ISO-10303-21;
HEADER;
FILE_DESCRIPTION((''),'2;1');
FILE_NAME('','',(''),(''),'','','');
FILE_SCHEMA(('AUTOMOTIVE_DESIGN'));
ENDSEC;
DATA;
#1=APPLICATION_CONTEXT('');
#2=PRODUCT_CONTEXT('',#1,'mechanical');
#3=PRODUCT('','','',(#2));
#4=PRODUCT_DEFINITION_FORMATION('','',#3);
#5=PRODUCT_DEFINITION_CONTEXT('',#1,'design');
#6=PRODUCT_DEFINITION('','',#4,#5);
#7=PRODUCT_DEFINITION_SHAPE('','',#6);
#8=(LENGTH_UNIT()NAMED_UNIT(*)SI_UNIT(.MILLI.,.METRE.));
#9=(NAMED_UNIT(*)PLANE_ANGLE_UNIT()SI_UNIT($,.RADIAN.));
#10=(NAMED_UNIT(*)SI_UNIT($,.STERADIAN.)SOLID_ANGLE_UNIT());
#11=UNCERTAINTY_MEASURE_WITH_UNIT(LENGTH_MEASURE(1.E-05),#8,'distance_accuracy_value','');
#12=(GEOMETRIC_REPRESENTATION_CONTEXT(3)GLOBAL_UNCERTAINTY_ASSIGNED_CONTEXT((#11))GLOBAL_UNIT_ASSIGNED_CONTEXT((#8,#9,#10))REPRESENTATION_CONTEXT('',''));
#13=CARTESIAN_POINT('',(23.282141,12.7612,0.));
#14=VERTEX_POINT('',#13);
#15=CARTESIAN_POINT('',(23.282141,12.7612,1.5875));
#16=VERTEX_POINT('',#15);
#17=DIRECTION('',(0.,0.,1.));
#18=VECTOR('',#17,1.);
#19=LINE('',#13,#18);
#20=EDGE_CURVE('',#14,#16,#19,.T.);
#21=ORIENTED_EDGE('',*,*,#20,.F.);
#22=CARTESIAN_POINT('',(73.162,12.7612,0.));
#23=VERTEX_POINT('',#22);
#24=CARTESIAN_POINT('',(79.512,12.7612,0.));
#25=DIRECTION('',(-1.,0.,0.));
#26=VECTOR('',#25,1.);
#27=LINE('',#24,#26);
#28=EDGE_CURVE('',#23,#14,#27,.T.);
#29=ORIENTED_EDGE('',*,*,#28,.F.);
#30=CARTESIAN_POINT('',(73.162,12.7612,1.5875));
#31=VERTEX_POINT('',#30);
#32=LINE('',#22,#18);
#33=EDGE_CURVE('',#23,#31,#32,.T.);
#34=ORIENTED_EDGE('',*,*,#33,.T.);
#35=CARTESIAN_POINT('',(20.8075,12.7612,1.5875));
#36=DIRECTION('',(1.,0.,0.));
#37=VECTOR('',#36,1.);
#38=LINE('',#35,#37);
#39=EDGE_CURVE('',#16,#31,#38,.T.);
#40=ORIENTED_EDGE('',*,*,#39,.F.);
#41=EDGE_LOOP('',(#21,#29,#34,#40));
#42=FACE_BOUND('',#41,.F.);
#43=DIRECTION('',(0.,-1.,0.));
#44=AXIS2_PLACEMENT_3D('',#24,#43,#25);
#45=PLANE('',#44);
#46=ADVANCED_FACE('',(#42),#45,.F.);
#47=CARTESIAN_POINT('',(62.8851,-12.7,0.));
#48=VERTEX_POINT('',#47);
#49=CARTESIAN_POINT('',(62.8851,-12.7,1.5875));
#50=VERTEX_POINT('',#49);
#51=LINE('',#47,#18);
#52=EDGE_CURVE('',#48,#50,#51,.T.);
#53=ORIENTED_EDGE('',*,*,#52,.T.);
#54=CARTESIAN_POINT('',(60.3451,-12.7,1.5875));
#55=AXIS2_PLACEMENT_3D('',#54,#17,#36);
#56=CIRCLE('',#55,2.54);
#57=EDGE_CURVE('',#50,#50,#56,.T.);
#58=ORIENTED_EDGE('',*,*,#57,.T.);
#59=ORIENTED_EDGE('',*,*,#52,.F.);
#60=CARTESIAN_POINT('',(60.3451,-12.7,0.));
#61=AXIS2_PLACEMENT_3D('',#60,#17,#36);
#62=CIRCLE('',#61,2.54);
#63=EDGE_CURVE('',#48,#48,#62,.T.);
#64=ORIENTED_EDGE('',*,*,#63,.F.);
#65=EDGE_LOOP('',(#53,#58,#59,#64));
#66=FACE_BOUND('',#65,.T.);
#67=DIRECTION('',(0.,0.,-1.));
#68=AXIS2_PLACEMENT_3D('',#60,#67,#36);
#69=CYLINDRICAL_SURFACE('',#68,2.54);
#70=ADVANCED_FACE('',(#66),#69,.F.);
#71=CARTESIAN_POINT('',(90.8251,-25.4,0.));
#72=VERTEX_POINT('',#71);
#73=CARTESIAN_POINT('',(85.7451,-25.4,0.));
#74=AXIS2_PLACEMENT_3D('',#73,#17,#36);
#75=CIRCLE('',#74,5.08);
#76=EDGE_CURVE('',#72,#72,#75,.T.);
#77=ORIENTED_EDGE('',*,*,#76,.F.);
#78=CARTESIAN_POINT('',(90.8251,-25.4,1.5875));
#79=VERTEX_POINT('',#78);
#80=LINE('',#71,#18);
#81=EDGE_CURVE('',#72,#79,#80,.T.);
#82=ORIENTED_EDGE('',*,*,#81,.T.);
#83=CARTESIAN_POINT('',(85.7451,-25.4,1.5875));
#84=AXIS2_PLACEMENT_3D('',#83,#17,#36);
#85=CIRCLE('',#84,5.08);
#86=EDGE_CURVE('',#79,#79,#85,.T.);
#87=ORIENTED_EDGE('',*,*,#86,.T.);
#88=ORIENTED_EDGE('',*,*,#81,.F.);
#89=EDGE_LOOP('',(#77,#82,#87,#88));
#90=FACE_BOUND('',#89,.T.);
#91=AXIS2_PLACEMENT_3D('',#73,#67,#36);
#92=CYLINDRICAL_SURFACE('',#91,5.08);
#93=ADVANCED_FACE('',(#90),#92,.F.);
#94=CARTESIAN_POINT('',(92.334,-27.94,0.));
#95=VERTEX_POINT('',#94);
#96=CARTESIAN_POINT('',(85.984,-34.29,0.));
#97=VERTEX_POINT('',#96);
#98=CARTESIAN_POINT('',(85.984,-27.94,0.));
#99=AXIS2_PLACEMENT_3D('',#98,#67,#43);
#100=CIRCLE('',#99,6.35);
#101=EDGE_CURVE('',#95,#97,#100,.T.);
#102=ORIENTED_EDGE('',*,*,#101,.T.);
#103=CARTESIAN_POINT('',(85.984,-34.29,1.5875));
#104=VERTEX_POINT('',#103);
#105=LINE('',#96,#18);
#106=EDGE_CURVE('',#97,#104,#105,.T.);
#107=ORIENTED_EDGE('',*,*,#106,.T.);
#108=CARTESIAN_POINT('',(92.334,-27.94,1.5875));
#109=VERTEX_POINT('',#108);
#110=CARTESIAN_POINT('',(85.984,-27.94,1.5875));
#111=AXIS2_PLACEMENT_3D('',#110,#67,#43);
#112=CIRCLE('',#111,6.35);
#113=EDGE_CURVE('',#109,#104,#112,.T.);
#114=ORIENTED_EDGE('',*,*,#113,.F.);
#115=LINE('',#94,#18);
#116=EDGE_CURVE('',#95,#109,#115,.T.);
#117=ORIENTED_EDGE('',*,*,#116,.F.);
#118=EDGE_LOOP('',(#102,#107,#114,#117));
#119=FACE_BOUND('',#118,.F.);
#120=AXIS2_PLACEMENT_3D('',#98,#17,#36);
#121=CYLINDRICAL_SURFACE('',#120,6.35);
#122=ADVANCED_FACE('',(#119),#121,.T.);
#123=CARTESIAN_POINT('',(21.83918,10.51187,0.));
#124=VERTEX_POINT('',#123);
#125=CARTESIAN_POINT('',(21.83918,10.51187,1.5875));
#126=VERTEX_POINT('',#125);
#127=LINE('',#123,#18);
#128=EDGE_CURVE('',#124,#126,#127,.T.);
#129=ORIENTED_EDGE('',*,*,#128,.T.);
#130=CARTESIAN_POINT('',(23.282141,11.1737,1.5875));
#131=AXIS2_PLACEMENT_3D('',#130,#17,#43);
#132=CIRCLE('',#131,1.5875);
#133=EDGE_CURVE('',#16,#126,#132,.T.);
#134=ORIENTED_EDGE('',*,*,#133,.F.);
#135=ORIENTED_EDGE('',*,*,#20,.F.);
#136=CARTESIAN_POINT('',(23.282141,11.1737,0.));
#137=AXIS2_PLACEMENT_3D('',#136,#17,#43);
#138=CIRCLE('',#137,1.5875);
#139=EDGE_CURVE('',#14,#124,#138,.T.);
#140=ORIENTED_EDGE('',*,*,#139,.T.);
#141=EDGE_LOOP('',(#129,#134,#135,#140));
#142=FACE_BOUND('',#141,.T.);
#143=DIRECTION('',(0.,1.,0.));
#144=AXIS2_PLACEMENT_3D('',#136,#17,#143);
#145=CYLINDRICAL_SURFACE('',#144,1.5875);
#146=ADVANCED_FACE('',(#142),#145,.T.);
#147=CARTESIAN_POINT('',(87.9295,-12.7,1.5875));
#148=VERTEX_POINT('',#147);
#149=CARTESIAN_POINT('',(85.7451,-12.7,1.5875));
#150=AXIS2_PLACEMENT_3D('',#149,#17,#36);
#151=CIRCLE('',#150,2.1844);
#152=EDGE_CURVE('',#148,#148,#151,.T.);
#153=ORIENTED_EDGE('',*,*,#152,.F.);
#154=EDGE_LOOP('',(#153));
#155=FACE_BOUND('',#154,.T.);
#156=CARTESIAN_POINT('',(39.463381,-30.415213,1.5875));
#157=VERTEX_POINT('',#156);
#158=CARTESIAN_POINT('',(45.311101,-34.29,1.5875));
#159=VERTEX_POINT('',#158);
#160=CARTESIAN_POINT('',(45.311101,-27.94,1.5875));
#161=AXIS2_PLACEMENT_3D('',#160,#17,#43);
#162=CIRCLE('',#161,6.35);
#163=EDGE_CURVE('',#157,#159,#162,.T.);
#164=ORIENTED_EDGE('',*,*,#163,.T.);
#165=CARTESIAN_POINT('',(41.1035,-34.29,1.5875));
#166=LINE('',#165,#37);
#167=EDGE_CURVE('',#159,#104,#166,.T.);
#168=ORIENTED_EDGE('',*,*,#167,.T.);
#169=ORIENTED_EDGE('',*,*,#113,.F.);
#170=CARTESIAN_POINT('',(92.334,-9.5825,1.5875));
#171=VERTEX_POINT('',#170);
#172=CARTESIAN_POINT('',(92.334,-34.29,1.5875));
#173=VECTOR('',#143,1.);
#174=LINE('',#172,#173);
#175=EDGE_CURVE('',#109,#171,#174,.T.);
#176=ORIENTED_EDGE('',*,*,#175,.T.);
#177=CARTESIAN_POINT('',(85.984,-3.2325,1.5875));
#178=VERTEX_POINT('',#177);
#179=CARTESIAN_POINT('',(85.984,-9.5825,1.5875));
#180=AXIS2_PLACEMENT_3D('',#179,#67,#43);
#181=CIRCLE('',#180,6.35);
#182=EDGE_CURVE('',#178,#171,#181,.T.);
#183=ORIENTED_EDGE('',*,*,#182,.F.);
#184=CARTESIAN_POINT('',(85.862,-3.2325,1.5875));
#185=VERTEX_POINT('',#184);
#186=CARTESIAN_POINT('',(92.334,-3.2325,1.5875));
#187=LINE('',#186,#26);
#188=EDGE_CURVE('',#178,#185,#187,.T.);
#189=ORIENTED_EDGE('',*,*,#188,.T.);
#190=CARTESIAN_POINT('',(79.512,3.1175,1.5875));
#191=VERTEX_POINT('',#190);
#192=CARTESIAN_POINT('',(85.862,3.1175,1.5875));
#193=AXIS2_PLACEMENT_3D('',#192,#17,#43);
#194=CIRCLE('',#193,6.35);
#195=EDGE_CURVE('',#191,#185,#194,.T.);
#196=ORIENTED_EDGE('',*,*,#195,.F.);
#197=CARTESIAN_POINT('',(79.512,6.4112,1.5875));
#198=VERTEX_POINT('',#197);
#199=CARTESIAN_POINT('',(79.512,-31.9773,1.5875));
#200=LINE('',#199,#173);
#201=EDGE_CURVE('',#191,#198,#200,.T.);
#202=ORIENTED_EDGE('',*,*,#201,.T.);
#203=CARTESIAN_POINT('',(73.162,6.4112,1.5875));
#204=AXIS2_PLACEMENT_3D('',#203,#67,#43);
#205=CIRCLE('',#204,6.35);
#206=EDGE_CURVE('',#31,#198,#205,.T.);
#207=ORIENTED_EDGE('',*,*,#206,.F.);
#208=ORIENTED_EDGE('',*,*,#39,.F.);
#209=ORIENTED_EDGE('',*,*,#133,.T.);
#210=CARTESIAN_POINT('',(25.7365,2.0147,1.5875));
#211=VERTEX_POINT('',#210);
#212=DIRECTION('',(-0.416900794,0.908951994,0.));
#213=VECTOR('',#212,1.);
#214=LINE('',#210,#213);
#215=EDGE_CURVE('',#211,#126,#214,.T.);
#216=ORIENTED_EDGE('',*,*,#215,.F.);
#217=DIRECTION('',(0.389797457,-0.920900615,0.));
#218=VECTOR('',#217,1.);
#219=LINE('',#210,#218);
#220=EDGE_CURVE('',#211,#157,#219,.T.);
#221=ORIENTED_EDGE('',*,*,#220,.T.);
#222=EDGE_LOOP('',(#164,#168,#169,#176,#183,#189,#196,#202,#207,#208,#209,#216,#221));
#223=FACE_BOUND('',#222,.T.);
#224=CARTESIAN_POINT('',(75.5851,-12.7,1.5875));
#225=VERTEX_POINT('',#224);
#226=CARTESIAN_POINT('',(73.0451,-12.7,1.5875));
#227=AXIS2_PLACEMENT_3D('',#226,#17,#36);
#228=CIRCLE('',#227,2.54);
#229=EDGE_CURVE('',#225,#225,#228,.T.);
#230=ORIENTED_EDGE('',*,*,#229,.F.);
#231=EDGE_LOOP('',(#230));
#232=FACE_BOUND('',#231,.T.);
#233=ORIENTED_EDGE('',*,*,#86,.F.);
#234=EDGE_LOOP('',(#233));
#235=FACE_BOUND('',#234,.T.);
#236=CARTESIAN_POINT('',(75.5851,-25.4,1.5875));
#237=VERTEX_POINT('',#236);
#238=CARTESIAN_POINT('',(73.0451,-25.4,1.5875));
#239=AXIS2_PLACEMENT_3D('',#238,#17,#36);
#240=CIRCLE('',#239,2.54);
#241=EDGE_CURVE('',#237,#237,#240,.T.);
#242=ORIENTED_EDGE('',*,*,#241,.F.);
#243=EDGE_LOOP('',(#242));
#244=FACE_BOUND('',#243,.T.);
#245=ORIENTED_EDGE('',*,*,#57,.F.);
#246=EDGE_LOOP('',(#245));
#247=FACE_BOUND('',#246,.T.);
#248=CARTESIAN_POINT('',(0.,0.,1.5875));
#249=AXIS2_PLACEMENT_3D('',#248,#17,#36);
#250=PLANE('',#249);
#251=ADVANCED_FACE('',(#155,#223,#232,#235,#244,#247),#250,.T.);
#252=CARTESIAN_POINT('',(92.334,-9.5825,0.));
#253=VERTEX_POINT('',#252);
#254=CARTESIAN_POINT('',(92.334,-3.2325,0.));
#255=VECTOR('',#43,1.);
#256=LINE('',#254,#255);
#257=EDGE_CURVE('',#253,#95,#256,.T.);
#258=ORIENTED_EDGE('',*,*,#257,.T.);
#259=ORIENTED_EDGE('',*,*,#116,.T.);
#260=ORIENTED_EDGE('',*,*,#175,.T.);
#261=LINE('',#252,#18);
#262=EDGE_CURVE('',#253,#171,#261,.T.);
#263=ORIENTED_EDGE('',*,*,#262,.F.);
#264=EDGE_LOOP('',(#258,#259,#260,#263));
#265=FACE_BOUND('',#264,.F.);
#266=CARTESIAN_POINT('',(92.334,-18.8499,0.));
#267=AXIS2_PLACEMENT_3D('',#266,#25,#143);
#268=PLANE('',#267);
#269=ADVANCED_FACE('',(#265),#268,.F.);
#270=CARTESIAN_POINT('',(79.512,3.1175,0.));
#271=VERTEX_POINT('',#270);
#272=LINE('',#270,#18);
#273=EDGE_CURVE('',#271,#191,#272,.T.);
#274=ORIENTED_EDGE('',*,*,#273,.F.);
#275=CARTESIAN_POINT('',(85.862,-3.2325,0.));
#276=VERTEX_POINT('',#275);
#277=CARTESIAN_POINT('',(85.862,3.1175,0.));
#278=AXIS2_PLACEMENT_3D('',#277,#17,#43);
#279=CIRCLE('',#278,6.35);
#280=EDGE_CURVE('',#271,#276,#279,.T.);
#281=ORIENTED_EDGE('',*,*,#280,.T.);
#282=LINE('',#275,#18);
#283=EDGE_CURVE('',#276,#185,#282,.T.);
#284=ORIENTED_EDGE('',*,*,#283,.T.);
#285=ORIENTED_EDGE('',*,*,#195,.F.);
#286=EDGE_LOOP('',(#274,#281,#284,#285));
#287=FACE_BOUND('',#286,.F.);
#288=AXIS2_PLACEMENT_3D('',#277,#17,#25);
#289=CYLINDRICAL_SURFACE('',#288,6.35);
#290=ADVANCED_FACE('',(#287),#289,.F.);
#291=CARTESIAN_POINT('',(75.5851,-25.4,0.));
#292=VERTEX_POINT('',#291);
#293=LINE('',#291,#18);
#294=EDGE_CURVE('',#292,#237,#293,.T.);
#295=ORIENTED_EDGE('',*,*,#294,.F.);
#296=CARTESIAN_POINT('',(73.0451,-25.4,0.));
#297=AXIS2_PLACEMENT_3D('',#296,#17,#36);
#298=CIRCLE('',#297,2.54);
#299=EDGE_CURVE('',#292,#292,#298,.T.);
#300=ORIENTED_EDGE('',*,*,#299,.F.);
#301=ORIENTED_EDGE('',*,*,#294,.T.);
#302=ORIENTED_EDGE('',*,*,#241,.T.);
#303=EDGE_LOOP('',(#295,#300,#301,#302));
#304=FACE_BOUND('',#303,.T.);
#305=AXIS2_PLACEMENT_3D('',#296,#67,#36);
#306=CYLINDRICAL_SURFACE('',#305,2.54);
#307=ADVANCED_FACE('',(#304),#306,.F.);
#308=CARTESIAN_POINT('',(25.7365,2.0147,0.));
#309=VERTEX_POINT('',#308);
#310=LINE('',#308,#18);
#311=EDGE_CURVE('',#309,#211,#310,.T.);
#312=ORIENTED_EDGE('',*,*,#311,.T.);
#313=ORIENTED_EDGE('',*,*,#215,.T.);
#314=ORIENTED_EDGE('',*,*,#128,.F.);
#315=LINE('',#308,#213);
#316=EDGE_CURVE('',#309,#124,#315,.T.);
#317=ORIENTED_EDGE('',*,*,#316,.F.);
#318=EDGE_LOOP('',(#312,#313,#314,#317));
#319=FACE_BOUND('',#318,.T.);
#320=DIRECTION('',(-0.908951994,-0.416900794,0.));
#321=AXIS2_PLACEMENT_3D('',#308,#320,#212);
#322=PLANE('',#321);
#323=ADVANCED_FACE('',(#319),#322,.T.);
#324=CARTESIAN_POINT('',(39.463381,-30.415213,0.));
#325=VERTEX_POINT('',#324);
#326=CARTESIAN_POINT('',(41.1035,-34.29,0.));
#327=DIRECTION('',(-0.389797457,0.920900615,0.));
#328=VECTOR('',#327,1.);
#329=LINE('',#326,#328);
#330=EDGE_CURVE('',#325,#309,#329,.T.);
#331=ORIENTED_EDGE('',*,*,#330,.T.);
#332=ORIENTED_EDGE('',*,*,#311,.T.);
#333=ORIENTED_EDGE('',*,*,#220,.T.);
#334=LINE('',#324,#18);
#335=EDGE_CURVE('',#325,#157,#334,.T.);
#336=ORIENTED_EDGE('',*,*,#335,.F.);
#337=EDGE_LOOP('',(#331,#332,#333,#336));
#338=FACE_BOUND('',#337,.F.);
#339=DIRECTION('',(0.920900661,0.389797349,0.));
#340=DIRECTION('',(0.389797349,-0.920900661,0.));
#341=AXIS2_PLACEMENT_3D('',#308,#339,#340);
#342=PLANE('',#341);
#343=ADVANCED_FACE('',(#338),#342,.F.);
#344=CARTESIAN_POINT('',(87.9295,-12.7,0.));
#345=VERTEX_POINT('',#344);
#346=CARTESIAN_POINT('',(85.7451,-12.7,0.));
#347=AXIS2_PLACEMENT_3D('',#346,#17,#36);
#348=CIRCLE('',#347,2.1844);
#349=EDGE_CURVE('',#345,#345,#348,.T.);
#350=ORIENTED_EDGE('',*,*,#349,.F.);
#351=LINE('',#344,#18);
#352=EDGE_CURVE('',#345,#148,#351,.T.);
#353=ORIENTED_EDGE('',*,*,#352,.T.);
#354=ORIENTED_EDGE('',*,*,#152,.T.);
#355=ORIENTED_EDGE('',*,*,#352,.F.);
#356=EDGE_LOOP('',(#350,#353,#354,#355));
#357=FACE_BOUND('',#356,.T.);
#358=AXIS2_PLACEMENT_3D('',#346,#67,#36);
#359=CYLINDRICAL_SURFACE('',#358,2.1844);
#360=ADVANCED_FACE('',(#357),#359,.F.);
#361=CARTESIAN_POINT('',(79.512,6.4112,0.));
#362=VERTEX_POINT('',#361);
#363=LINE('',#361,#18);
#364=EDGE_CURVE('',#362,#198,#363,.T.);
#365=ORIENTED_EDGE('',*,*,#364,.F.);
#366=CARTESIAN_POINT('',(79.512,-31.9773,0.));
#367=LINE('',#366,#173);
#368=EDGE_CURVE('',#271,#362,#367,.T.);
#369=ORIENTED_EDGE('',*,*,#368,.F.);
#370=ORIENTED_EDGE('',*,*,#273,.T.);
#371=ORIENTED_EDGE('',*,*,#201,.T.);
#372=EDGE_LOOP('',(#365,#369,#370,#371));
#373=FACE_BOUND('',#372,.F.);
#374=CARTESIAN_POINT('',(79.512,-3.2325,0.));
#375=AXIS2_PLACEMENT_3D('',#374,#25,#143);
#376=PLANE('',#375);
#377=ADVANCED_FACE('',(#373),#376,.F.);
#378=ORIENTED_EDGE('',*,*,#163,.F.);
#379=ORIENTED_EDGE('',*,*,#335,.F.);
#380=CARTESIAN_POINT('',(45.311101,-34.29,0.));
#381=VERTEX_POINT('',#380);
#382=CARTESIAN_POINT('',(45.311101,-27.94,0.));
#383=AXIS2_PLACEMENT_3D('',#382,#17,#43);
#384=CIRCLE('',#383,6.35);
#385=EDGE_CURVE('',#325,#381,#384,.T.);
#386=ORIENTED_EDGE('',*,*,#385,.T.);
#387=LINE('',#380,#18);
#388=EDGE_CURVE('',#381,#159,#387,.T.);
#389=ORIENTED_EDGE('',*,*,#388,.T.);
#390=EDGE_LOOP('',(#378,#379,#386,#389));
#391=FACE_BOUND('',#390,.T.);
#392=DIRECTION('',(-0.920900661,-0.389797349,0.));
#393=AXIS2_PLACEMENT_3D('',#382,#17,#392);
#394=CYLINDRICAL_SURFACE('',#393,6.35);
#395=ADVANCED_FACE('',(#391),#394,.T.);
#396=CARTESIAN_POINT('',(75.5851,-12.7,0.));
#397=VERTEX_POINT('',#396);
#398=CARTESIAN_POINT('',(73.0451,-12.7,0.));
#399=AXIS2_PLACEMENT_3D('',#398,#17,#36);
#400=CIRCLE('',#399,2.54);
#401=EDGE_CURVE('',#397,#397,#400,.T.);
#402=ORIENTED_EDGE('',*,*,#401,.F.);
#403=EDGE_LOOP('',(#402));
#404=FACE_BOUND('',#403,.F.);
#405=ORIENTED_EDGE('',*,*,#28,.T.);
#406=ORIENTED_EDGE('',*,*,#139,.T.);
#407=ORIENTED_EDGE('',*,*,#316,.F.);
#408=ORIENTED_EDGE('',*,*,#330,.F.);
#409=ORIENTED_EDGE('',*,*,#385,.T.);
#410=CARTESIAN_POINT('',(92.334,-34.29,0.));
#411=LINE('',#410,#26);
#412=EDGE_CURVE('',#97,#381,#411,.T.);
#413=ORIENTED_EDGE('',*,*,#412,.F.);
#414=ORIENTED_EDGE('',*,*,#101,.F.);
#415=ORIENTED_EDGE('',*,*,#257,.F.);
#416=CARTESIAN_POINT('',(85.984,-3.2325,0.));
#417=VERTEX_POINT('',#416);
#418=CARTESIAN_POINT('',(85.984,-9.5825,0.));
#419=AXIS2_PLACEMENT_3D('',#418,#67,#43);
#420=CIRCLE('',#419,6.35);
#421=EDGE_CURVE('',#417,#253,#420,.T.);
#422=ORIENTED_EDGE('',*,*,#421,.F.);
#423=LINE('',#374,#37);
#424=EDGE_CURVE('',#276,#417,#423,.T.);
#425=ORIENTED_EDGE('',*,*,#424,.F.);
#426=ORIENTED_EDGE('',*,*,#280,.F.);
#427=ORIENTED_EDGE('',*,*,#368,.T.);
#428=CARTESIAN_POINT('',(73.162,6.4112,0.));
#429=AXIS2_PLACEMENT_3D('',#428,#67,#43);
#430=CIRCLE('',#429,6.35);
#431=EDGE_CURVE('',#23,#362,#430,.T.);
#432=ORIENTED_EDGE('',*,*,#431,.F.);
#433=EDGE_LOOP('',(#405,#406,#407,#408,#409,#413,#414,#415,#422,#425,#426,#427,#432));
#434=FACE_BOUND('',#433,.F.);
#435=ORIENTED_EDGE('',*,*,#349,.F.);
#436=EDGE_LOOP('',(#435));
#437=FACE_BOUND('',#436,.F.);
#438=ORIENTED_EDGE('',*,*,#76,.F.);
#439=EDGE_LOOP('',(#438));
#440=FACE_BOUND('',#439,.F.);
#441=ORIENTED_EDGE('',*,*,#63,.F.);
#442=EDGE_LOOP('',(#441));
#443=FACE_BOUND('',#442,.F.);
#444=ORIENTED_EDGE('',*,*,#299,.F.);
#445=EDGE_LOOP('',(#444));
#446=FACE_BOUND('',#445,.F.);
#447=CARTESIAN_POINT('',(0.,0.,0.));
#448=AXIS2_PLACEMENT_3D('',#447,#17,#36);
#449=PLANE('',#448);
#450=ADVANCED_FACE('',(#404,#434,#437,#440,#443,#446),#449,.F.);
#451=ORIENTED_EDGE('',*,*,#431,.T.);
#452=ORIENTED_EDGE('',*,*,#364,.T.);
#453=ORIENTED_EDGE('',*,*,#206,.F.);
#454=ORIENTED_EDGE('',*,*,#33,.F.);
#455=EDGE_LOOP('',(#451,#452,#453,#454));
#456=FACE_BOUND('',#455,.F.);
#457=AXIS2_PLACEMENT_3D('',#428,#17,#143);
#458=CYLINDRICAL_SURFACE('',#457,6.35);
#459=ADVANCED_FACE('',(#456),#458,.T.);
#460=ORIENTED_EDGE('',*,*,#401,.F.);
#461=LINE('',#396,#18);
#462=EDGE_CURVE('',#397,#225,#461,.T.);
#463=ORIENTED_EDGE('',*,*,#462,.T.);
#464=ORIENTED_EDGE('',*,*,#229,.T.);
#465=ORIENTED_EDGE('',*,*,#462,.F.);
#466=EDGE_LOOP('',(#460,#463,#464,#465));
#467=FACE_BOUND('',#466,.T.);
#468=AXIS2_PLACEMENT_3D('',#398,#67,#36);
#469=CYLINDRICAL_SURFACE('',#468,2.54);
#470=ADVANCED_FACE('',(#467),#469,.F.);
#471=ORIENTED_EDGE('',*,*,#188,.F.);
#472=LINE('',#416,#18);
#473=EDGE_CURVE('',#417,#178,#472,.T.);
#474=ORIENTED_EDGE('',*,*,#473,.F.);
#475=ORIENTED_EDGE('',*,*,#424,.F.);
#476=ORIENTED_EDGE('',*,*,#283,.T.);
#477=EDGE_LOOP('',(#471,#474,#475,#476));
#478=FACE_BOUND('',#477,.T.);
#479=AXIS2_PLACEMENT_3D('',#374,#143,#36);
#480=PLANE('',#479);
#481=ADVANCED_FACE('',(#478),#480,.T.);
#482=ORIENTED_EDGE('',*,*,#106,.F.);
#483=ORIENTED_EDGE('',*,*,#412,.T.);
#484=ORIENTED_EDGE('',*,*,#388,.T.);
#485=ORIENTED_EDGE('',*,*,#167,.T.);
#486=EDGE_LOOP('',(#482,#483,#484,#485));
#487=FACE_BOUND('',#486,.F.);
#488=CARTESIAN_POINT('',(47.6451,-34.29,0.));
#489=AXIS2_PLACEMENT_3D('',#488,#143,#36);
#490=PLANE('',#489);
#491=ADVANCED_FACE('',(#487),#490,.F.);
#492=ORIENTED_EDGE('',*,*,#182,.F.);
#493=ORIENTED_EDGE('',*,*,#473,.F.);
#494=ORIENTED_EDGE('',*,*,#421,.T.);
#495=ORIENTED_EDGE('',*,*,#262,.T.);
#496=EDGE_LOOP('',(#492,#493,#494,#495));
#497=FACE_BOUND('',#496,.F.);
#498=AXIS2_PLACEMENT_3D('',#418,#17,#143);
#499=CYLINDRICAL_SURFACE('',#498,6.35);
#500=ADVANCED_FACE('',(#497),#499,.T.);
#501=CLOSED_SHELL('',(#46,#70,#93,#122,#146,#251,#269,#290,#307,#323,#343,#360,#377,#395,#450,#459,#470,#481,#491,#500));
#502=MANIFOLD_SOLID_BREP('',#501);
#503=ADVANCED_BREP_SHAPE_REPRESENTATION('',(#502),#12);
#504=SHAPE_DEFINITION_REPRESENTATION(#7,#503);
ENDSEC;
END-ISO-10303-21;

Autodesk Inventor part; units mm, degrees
ref_plane "YZ Plane" through (0, 0, 0) normal (1, 0, 0) x (0, 1, 0)
ref_plane "XZ Plane" through (0, 0, 0) normal (0, 1, 0) x (-1, 0, 0)
ref_plane "XY Plane" through (0, 0, 0) normal (0, 0, 1) x (1, 0, 0)
sketch "Sketch2" plane through (0, 0, 0) normal (0, 0, 1) x (1, 0, 0)
  line L0 (39.8575, 12.7612) -> (31.599, 12.7612)
  line L1 (39.8575, 12.7612) -> (20.8075, 12.7612)
  line L2 (79.512, -31.9773) -> (79.512, 12.7612)
  line L3 (79.512, 12.7612) -> (37.4294, 12.7612)
  circle A0 centre (60.3451, -12.7) radius 2.54
  circle A1 centre (73.0451, -12.7) radius 2.54
  circle A2 centre (73.0451, -25.4) radius 2.54
  line L4 (92.334, -18.8499) -> (92.334, 1.5256)
  circle A3 centre (85.7451, -25.4) radius 3.9624
  circle A4 centre (85.7451, -12.7) radius 2.1844
  line L5 (25.7365, 2.0147) -> (43.2474, -39.355)
  line L6 (47.6451, -34.29) -> (41.1035, -34.29)
  line L7 (92.334, -18.8499) -> (92.334, -34.29)
  line L8 (47.6451, -34.29) -> (92.334, -34.29)
  line L9 (-341.1851, -3.2325) -> (91.1147, -3.2325)
  line L10 (25.7365, 2.0147) -> (20.8075, 12.7612)
  line L11 (91.1147, -3.2325) -> (92.334, -3.2325)
  circle A5 centre (85.7451, -25.4) radius 5.08
  point P0 (0, 0)
  point P1 (41.3274, -31.9773)
  point P2 (79.512, -18.8499)
  point P3 (79.512, -3.2325)
  dimension "d38" = 19.05
  dimension "d39" = 432.2999
  dimension "d40" = 10.16
extrude "Extrusion3" add sketch "Sketch2" along normal blind 1.5875 contours L3 L2 L9 L5 L10 L1 L0 | L9 L11 L4 L7 L8 L6 L5
fillet "Fillet9" radius 6.35 5 edges at (79.512, 12.7612, 0.7937) (79.512, -3.2325, 0.7937) (92.334, -3.2325, 0.7937) (92.334, -34.29, 0.7937) (41.1035, -34.29, 0.7937)
fillet "Fillet10" radius 1.5875 1 edges at (20.8075, 12.7612, 0.7937)
properties part number "Sleds poly V3"
